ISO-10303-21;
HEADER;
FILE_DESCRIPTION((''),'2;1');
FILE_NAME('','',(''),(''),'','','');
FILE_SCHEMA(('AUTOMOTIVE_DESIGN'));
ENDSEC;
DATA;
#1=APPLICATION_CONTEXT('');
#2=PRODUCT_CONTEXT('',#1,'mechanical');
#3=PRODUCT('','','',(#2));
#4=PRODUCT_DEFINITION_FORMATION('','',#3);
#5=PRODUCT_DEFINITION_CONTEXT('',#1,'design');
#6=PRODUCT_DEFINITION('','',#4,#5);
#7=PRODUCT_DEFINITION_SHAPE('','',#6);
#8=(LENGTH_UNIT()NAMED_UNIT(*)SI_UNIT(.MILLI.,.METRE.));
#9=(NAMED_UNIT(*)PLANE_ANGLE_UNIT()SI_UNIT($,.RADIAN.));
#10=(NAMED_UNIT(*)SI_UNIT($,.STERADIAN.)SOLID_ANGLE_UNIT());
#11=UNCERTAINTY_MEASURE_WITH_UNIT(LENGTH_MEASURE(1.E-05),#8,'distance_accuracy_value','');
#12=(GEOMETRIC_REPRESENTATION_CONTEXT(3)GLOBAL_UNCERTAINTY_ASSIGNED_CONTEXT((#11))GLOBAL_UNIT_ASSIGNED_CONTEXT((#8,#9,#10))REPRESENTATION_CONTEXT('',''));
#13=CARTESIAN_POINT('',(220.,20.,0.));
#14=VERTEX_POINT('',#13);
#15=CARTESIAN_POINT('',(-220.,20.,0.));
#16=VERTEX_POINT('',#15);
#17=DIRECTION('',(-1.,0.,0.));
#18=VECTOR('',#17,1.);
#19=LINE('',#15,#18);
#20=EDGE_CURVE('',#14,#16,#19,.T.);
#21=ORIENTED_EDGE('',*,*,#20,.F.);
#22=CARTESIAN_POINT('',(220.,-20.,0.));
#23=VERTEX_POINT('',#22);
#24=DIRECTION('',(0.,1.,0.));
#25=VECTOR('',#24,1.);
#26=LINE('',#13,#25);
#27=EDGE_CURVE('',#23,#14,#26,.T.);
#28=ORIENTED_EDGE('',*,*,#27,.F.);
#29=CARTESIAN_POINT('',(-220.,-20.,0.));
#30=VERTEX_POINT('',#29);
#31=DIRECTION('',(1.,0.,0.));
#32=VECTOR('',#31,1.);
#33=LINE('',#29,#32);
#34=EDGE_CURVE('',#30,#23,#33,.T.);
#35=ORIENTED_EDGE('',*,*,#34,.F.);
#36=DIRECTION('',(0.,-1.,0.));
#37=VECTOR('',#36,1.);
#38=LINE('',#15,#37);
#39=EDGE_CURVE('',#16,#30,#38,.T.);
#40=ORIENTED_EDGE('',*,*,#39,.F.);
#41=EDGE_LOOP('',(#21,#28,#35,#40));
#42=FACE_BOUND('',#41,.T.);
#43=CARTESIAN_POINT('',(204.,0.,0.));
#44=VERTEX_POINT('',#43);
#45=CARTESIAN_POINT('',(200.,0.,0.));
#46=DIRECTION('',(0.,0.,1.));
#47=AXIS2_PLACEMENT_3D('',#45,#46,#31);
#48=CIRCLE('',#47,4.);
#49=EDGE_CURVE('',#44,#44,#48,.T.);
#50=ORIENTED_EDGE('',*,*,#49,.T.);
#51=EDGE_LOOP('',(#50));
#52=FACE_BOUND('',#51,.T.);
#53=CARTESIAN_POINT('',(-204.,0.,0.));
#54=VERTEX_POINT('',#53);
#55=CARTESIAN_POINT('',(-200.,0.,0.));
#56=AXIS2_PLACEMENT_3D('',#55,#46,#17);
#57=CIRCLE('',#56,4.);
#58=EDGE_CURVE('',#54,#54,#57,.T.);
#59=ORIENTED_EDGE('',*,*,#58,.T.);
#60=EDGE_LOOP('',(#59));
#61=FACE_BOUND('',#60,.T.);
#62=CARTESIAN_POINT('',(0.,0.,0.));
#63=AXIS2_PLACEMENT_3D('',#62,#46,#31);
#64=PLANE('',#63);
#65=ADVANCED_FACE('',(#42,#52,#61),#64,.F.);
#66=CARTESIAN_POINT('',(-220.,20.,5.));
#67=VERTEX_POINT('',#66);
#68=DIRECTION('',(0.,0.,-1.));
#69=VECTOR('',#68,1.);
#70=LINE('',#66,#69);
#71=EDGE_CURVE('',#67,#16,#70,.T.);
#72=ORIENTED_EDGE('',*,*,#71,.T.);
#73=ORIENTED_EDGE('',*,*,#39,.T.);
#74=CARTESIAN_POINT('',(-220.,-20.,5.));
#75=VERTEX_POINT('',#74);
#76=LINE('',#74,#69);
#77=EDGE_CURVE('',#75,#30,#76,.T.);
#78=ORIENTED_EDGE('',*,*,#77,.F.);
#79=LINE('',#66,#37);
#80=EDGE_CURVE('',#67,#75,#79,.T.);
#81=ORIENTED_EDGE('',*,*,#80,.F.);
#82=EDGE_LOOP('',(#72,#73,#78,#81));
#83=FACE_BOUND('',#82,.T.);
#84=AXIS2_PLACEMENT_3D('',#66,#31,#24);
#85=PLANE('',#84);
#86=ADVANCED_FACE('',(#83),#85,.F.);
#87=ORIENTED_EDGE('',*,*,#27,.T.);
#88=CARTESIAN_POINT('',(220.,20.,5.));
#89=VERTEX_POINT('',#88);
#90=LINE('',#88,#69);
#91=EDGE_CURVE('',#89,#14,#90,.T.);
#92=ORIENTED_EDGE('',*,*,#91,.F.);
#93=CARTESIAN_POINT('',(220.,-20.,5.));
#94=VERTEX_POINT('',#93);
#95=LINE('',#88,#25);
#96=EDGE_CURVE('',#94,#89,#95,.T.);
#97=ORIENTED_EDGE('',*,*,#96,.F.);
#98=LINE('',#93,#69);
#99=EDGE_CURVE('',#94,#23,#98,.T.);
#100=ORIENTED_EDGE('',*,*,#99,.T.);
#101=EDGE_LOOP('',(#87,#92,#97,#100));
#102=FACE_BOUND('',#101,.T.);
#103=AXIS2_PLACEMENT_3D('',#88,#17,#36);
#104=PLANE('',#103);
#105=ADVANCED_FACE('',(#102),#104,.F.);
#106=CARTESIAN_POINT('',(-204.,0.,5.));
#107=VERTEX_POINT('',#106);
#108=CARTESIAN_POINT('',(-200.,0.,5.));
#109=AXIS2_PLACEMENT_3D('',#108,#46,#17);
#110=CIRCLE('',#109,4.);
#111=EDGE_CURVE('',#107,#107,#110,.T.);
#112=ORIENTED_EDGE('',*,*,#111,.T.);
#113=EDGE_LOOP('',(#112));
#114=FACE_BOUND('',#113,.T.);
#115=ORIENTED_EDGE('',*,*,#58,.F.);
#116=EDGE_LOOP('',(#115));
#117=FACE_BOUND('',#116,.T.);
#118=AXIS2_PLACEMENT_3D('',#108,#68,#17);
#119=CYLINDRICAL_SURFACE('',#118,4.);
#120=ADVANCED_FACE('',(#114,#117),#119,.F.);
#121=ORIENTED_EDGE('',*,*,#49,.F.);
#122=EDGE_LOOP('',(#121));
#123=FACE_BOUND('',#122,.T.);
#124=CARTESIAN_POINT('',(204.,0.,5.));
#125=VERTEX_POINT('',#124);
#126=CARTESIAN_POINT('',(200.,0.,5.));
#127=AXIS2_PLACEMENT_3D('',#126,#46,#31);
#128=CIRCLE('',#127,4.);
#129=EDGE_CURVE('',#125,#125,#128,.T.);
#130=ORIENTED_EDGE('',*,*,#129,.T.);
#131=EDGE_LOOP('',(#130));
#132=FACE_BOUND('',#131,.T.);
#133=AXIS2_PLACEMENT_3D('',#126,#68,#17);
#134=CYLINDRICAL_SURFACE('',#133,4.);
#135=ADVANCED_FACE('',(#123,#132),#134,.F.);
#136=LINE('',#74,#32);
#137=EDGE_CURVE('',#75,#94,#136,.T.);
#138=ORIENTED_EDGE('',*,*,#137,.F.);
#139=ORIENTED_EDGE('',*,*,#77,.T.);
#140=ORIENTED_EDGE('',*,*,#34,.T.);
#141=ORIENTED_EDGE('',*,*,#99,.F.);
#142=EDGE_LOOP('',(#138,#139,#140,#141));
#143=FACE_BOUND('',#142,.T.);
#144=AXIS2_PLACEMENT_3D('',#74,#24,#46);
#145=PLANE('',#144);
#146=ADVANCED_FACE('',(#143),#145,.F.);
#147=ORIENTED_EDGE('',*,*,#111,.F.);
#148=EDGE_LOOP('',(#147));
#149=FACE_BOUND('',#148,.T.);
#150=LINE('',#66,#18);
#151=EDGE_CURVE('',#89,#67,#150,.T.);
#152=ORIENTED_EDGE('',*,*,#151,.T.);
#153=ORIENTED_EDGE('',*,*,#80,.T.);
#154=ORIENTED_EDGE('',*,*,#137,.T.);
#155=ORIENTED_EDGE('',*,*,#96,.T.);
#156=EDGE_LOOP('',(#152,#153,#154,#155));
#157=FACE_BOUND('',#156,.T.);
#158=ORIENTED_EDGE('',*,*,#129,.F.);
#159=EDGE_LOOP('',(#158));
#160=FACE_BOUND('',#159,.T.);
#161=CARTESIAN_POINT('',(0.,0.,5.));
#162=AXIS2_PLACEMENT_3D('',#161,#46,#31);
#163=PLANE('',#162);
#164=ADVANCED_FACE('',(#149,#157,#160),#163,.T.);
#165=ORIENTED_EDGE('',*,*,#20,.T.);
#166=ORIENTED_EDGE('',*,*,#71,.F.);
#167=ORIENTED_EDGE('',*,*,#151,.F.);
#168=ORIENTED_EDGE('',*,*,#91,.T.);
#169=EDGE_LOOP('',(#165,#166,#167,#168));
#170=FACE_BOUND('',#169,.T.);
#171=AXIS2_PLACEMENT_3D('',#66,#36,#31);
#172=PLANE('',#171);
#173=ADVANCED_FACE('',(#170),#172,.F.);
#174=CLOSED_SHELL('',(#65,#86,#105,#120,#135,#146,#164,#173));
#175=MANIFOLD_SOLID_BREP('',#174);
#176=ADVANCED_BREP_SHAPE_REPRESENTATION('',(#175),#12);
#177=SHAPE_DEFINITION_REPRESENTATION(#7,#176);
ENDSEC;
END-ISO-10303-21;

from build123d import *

# Parameters (mm, degrees)
SKETCH1_W           = 440
SKETCH1_H           = 40
SKETCH1_R           = 4
BOSS_EXTRUDE1_DEPTH = 5


with BuildPart() as part:
    # Sketch1 → Boss-Extrude1 (new body)
    with BuildSketch(Plane.XY):
        Rectangle(SKETCH1_W, SKETCH1_H)
        with Locations((200, 0)):
            Circle(SKETCH1_R, mode=Mode.SUBTRACT)
        with Locations((-200, 0)):
            Circle(SKETCH1_R, mode=Mode.SUBTRACT)
    extrude(amount=BOSS_EXTRUDE1_DEPTH)


solid = part.part
